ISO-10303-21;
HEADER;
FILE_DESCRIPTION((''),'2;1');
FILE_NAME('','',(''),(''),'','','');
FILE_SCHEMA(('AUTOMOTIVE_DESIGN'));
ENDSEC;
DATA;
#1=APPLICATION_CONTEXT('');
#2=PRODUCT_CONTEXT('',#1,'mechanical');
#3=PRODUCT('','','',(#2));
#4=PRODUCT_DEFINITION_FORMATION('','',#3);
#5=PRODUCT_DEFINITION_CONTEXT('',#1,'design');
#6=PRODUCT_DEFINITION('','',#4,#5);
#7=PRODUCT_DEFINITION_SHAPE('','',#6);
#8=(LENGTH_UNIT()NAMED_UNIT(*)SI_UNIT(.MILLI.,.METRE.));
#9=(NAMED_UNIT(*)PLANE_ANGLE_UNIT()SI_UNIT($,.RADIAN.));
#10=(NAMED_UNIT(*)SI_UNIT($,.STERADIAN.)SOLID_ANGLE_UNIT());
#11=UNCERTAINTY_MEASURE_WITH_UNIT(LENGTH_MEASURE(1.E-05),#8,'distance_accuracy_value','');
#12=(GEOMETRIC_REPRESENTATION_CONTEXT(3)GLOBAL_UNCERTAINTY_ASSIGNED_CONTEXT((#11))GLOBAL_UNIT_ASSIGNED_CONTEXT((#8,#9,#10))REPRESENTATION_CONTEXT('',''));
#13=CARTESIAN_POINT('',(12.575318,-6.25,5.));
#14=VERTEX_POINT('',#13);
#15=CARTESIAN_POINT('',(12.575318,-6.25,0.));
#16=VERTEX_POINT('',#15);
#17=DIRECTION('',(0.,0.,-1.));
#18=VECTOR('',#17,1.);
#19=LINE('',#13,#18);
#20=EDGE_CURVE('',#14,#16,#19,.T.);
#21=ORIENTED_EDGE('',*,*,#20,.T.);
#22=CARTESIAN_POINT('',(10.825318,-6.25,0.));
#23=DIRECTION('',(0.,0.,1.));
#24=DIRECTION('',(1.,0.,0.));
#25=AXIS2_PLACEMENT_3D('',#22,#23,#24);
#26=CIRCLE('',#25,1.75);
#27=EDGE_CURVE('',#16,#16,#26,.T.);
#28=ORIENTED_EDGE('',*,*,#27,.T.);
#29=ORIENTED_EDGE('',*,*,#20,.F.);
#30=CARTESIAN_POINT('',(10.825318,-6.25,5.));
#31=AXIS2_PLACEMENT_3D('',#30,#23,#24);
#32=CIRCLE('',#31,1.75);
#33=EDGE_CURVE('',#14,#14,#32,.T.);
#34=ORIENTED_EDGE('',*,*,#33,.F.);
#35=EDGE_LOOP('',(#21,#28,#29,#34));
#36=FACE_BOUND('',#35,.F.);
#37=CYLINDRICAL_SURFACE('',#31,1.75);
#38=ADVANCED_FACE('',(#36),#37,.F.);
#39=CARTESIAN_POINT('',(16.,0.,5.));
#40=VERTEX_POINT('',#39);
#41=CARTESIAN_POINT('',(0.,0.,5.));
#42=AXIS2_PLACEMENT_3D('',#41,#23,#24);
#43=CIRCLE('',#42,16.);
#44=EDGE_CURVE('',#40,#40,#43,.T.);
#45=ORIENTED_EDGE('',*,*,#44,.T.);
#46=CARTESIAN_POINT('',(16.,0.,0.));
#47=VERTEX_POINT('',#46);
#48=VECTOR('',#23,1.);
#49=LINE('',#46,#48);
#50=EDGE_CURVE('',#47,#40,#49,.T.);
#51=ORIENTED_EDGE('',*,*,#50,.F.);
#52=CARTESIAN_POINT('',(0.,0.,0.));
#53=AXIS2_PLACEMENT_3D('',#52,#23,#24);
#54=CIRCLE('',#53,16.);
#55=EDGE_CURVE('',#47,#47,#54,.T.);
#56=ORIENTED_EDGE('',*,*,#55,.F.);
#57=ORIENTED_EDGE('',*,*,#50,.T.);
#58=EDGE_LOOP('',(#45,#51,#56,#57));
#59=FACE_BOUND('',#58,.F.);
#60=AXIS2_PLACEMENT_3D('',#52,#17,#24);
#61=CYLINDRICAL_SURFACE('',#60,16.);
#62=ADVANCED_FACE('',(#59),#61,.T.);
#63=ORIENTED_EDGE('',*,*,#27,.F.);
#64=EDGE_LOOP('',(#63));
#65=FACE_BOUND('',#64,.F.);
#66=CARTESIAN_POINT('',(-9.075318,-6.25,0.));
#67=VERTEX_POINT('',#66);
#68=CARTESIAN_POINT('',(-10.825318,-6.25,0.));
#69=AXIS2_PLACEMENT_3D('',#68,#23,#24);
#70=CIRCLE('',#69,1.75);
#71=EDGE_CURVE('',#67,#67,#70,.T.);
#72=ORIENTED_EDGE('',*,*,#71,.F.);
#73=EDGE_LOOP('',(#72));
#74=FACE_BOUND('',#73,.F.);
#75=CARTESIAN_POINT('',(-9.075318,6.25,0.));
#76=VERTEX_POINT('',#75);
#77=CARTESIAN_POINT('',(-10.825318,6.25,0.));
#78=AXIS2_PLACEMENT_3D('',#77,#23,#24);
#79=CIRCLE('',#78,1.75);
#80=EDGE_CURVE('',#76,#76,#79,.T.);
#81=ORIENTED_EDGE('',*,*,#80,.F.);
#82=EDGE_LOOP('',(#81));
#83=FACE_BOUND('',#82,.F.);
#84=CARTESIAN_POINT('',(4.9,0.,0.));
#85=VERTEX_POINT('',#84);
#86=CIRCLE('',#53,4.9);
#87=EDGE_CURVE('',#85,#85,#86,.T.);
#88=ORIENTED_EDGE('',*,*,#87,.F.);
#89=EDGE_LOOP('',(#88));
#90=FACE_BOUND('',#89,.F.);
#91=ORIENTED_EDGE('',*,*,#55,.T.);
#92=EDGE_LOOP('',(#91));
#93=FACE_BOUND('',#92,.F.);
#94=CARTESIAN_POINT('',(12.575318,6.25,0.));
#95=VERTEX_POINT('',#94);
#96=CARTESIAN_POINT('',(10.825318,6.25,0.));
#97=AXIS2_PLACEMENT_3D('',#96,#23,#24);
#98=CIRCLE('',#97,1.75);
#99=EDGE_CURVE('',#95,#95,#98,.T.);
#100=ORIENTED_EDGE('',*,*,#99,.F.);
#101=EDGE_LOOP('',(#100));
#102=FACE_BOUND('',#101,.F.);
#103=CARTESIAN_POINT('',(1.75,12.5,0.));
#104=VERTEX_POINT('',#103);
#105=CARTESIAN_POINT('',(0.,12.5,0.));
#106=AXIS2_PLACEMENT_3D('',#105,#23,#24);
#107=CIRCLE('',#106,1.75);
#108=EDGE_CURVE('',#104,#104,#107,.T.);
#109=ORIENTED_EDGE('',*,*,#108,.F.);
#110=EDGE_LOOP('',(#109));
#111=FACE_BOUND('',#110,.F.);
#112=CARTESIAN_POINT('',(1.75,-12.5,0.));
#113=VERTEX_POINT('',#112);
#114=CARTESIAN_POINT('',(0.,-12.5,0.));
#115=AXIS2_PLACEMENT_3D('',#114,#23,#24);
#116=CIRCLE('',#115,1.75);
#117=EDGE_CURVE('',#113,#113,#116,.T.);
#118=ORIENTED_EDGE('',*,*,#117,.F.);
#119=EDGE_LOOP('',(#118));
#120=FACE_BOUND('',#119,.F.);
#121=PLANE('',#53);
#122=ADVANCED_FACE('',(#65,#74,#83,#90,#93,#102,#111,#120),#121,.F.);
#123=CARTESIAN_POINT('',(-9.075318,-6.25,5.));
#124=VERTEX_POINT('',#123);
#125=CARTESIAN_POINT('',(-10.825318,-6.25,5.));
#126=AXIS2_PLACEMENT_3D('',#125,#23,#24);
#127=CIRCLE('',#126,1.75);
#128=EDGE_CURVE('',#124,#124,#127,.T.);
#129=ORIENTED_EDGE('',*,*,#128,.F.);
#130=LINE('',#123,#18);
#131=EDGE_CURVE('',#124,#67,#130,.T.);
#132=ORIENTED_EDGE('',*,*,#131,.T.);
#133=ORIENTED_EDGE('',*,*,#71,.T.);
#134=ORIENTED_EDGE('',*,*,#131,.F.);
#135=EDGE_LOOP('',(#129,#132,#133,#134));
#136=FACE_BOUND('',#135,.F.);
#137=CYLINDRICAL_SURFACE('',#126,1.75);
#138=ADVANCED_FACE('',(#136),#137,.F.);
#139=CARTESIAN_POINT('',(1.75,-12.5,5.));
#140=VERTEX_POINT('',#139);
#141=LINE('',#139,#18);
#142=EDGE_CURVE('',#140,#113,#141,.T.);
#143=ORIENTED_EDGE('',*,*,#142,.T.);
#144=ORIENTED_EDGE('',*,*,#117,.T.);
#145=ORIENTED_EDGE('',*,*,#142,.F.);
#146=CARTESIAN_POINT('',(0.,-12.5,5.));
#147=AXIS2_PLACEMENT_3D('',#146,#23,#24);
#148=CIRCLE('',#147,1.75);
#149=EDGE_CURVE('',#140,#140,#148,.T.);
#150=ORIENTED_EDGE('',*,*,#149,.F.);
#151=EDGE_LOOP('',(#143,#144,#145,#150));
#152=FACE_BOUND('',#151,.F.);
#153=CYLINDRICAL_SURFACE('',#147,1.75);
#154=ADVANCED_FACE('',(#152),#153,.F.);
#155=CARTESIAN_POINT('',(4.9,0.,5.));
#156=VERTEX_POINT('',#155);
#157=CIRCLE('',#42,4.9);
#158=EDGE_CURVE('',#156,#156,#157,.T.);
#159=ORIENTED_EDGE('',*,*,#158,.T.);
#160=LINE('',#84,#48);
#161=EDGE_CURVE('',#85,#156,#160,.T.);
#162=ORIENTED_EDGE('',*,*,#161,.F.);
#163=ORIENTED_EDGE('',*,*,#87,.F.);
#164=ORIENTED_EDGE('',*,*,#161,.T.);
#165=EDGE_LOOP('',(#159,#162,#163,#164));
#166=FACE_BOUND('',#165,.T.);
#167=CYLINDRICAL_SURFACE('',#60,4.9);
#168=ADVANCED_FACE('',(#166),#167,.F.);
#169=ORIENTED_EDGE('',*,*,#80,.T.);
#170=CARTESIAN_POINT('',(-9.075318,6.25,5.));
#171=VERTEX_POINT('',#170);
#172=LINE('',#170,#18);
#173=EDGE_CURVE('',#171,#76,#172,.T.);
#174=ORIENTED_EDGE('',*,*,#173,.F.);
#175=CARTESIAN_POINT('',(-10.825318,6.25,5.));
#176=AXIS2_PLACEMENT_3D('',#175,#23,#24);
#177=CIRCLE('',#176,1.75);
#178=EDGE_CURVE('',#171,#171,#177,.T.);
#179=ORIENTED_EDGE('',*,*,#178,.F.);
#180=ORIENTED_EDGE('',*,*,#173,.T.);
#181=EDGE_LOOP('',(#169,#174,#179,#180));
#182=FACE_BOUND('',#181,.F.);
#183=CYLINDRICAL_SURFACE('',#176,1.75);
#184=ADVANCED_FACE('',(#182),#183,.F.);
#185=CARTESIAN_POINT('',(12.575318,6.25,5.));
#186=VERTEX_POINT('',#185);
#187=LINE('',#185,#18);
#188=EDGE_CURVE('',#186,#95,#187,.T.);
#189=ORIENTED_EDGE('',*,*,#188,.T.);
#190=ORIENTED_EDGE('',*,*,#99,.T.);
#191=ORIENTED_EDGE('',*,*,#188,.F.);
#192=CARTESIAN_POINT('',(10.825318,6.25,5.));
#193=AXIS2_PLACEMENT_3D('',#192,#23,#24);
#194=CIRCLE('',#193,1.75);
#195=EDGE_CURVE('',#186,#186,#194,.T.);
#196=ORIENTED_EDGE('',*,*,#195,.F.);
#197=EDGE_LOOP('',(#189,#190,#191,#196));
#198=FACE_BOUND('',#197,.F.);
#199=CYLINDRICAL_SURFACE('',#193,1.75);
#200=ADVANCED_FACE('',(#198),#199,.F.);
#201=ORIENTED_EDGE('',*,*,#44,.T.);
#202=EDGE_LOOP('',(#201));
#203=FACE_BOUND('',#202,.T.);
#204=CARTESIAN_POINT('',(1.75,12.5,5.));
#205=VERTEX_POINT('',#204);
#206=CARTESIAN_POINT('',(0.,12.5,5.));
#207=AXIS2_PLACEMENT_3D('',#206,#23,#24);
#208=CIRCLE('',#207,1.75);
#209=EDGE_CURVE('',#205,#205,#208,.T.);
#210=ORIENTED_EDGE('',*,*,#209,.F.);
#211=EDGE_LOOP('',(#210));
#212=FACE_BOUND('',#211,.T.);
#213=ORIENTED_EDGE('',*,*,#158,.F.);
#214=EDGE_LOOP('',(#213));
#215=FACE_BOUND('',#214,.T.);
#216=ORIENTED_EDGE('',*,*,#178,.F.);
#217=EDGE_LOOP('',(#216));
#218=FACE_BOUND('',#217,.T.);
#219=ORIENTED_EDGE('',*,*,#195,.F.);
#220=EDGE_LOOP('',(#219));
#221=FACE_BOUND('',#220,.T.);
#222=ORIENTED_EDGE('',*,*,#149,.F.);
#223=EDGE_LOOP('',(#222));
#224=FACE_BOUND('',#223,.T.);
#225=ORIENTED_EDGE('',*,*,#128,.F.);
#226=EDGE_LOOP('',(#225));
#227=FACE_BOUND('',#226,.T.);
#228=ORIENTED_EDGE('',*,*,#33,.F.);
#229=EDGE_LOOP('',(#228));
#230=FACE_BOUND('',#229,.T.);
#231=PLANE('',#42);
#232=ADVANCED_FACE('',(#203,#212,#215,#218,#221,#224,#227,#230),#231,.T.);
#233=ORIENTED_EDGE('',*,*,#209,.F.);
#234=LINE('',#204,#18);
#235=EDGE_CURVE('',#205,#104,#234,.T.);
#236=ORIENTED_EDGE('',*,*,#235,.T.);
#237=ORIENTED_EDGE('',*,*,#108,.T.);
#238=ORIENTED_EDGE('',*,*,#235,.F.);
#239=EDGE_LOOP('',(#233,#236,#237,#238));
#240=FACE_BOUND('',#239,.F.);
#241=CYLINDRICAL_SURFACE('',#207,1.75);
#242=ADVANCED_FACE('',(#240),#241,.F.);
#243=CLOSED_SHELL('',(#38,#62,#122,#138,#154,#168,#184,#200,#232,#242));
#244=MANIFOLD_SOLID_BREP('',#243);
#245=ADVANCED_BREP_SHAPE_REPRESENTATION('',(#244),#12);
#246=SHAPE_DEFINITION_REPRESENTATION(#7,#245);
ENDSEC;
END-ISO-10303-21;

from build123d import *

# Parameters (mm, degrees)
F0_R     = 16
F0_R_2   = 4.9
F1_DEPTH = 5
F2_R     = 1.75
F3_DEPTH = 25


with BuildPart() as f1:
    # F0 (on Top) → F1 (new body)
    with BuildSketch(Plane.XY):
        Circle(F0_R)
        Circle(F0_R_2, mode=Mode.SUBTRACT)
    extrude(amount=F1_DEPTH)

    # F2 (on face) → F3 (cut)
    with BuildSketch(Plane.XY.offset(5)):
        with Locations((0, 12.5)):
            Circle(F2_R)
        with Locations((10.825318, 6.25)):
            Circle(F2_R)
        with Locations((10.825318, -6.25)):
            Circle(F2_R)
        with Locations((0, -12.5)):
            Circle(F2_R)
        with Locations((-10.825318, -6.25)):
            Circle(F2_R)
        with Locations((-10.825318, 6.25)):
            Circle(F2_R)
    extrude(amount=-F3_DEPTH, mode=Mode.SUBTRACT)


solid = f1.part
